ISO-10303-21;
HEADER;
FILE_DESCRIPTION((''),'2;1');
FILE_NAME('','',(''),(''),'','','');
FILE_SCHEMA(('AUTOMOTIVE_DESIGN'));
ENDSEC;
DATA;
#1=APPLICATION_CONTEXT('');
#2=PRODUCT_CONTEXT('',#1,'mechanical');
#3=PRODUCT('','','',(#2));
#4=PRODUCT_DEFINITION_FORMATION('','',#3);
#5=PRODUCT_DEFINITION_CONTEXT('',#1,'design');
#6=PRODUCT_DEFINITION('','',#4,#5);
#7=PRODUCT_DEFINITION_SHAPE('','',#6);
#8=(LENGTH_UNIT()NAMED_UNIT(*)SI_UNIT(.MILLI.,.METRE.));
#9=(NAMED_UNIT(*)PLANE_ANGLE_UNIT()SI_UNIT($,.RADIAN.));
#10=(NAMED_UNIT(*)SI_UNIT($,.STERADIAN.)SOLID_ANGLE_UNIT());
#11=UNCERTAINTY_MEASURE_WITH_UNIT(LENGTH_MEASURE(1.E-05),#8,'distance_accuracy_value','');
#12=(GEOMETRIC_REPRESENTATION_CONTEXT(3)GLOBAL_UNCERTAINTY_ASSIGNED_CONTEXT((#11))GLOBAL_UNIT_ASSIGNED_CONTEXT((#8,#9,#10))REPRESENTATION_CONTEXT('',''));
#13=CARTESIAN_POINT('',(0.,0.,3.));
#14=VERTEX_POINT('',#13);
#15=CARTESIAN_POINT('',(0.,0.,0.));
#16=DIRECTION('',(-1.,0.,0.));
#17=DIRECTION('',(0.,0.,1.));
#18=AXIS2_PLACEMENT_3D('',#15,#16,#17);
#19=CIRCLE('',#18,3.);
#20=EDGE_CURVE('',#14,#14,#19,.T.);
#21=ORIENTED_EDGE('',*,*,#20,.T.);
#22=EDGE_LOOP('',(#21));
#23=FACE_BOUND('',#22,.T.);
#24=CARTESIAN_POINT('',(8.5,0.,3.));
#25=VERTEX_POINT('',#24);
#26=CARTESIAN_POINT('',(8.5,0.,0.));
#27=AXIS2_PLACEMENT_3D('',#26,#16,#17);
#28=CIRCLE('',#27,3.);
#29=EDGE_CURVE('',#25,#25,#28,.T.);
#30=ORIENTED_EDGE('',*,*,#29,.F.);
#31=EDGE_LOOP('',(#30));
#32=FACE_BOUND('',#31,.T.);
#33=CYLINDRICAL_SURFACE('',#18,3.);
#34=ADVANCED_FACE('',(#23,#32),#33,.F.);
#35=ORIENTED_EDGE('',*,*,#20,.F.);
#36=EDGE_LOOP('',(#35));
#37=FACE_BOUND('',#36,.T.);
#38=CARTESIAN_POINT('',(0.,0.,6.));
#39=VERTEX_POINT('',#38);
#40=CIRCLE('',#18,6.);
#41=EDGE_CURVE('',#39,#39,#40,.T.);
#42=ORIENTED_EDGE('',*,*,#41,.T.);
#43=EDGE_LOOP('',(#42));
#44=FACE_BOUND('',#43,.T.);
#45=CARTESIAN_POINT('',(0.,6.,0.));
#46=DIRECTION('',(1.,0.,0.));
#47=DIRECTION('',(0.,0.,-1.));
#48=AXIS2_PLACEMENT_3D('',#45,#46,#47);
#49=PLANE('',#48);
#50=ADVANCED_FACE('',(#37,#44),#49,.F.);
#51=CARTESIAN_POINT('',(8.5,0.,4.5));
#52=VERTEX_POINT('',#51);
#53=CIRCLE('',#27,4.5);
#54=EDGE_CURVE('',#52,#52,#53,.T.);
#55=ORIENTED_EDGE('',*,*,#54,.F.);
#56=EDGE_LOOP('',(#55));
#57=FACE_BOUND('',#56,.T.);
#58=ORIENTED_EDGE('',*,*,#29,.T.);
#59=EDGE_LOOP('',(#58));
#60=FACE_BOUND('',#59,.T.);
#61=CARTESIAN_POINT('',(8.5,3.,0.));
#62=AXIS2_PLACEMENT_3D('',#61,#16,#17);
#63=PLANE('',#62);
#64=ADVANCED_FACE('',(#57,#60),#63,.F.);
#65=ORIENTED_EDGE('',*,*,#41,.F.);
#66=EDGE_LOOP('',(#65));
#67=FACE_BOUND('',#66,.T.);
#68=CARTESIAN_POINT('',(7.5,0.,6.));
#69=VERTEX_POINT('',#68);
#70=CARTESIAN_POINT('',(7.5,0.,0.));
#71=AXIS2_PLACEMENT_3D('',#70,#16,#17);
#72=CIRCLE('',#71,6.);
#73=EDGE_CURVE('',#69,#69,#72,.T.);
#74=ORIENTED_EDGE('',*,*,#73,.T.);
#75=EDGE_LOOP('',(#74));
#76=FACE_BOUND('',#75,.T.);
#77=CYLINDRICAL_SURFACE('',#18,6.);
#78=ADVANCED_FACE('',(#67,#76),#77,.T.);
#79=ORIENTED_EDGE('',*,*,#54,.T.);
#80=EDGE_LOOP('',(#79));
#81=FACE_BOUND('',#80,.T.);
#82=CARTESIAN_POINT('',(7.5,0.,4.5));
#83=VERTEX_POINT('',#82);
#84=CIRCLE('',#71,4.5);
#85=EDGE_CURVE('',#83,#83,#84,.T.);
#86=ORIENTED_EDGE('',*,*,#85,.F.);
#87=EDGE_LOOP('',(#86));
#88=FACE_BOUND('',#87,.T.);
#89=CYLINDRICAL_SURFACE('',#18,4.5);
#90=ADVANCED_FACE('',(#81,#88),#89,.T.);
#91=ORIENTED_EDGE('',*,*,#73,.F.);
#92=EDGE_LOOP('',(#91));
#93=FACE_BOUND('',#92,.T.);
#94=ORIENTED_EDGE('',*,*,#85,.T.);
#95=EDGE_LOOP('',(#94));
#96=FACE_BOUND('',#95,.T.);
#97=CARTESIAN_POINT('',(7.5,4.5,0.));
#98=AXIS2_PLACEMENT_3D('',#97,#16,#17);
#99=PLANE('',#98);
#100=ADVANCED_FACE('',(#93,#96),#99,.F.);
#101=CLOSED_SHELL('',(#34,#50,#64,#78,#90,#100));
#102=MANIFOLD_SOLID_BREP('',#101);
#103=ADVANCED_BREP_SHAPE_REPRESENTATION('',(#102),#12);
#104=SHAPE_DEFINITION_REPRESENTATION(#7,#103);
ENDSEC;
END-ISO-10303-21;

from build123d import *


with BuildPart() as part:
    # Sketch1 → Revolve1 (revolve)
    with BuildSketch(Plane.XY):
        Polygon((0, 6), (0, 3), (8.5, 3), (8.5, 4.5), (7.5, 4.5), (7.5, 6), align=None)
    revolve(axis=Axis((0, 0, 0), (1, 0, 0)))


solid = part.part
